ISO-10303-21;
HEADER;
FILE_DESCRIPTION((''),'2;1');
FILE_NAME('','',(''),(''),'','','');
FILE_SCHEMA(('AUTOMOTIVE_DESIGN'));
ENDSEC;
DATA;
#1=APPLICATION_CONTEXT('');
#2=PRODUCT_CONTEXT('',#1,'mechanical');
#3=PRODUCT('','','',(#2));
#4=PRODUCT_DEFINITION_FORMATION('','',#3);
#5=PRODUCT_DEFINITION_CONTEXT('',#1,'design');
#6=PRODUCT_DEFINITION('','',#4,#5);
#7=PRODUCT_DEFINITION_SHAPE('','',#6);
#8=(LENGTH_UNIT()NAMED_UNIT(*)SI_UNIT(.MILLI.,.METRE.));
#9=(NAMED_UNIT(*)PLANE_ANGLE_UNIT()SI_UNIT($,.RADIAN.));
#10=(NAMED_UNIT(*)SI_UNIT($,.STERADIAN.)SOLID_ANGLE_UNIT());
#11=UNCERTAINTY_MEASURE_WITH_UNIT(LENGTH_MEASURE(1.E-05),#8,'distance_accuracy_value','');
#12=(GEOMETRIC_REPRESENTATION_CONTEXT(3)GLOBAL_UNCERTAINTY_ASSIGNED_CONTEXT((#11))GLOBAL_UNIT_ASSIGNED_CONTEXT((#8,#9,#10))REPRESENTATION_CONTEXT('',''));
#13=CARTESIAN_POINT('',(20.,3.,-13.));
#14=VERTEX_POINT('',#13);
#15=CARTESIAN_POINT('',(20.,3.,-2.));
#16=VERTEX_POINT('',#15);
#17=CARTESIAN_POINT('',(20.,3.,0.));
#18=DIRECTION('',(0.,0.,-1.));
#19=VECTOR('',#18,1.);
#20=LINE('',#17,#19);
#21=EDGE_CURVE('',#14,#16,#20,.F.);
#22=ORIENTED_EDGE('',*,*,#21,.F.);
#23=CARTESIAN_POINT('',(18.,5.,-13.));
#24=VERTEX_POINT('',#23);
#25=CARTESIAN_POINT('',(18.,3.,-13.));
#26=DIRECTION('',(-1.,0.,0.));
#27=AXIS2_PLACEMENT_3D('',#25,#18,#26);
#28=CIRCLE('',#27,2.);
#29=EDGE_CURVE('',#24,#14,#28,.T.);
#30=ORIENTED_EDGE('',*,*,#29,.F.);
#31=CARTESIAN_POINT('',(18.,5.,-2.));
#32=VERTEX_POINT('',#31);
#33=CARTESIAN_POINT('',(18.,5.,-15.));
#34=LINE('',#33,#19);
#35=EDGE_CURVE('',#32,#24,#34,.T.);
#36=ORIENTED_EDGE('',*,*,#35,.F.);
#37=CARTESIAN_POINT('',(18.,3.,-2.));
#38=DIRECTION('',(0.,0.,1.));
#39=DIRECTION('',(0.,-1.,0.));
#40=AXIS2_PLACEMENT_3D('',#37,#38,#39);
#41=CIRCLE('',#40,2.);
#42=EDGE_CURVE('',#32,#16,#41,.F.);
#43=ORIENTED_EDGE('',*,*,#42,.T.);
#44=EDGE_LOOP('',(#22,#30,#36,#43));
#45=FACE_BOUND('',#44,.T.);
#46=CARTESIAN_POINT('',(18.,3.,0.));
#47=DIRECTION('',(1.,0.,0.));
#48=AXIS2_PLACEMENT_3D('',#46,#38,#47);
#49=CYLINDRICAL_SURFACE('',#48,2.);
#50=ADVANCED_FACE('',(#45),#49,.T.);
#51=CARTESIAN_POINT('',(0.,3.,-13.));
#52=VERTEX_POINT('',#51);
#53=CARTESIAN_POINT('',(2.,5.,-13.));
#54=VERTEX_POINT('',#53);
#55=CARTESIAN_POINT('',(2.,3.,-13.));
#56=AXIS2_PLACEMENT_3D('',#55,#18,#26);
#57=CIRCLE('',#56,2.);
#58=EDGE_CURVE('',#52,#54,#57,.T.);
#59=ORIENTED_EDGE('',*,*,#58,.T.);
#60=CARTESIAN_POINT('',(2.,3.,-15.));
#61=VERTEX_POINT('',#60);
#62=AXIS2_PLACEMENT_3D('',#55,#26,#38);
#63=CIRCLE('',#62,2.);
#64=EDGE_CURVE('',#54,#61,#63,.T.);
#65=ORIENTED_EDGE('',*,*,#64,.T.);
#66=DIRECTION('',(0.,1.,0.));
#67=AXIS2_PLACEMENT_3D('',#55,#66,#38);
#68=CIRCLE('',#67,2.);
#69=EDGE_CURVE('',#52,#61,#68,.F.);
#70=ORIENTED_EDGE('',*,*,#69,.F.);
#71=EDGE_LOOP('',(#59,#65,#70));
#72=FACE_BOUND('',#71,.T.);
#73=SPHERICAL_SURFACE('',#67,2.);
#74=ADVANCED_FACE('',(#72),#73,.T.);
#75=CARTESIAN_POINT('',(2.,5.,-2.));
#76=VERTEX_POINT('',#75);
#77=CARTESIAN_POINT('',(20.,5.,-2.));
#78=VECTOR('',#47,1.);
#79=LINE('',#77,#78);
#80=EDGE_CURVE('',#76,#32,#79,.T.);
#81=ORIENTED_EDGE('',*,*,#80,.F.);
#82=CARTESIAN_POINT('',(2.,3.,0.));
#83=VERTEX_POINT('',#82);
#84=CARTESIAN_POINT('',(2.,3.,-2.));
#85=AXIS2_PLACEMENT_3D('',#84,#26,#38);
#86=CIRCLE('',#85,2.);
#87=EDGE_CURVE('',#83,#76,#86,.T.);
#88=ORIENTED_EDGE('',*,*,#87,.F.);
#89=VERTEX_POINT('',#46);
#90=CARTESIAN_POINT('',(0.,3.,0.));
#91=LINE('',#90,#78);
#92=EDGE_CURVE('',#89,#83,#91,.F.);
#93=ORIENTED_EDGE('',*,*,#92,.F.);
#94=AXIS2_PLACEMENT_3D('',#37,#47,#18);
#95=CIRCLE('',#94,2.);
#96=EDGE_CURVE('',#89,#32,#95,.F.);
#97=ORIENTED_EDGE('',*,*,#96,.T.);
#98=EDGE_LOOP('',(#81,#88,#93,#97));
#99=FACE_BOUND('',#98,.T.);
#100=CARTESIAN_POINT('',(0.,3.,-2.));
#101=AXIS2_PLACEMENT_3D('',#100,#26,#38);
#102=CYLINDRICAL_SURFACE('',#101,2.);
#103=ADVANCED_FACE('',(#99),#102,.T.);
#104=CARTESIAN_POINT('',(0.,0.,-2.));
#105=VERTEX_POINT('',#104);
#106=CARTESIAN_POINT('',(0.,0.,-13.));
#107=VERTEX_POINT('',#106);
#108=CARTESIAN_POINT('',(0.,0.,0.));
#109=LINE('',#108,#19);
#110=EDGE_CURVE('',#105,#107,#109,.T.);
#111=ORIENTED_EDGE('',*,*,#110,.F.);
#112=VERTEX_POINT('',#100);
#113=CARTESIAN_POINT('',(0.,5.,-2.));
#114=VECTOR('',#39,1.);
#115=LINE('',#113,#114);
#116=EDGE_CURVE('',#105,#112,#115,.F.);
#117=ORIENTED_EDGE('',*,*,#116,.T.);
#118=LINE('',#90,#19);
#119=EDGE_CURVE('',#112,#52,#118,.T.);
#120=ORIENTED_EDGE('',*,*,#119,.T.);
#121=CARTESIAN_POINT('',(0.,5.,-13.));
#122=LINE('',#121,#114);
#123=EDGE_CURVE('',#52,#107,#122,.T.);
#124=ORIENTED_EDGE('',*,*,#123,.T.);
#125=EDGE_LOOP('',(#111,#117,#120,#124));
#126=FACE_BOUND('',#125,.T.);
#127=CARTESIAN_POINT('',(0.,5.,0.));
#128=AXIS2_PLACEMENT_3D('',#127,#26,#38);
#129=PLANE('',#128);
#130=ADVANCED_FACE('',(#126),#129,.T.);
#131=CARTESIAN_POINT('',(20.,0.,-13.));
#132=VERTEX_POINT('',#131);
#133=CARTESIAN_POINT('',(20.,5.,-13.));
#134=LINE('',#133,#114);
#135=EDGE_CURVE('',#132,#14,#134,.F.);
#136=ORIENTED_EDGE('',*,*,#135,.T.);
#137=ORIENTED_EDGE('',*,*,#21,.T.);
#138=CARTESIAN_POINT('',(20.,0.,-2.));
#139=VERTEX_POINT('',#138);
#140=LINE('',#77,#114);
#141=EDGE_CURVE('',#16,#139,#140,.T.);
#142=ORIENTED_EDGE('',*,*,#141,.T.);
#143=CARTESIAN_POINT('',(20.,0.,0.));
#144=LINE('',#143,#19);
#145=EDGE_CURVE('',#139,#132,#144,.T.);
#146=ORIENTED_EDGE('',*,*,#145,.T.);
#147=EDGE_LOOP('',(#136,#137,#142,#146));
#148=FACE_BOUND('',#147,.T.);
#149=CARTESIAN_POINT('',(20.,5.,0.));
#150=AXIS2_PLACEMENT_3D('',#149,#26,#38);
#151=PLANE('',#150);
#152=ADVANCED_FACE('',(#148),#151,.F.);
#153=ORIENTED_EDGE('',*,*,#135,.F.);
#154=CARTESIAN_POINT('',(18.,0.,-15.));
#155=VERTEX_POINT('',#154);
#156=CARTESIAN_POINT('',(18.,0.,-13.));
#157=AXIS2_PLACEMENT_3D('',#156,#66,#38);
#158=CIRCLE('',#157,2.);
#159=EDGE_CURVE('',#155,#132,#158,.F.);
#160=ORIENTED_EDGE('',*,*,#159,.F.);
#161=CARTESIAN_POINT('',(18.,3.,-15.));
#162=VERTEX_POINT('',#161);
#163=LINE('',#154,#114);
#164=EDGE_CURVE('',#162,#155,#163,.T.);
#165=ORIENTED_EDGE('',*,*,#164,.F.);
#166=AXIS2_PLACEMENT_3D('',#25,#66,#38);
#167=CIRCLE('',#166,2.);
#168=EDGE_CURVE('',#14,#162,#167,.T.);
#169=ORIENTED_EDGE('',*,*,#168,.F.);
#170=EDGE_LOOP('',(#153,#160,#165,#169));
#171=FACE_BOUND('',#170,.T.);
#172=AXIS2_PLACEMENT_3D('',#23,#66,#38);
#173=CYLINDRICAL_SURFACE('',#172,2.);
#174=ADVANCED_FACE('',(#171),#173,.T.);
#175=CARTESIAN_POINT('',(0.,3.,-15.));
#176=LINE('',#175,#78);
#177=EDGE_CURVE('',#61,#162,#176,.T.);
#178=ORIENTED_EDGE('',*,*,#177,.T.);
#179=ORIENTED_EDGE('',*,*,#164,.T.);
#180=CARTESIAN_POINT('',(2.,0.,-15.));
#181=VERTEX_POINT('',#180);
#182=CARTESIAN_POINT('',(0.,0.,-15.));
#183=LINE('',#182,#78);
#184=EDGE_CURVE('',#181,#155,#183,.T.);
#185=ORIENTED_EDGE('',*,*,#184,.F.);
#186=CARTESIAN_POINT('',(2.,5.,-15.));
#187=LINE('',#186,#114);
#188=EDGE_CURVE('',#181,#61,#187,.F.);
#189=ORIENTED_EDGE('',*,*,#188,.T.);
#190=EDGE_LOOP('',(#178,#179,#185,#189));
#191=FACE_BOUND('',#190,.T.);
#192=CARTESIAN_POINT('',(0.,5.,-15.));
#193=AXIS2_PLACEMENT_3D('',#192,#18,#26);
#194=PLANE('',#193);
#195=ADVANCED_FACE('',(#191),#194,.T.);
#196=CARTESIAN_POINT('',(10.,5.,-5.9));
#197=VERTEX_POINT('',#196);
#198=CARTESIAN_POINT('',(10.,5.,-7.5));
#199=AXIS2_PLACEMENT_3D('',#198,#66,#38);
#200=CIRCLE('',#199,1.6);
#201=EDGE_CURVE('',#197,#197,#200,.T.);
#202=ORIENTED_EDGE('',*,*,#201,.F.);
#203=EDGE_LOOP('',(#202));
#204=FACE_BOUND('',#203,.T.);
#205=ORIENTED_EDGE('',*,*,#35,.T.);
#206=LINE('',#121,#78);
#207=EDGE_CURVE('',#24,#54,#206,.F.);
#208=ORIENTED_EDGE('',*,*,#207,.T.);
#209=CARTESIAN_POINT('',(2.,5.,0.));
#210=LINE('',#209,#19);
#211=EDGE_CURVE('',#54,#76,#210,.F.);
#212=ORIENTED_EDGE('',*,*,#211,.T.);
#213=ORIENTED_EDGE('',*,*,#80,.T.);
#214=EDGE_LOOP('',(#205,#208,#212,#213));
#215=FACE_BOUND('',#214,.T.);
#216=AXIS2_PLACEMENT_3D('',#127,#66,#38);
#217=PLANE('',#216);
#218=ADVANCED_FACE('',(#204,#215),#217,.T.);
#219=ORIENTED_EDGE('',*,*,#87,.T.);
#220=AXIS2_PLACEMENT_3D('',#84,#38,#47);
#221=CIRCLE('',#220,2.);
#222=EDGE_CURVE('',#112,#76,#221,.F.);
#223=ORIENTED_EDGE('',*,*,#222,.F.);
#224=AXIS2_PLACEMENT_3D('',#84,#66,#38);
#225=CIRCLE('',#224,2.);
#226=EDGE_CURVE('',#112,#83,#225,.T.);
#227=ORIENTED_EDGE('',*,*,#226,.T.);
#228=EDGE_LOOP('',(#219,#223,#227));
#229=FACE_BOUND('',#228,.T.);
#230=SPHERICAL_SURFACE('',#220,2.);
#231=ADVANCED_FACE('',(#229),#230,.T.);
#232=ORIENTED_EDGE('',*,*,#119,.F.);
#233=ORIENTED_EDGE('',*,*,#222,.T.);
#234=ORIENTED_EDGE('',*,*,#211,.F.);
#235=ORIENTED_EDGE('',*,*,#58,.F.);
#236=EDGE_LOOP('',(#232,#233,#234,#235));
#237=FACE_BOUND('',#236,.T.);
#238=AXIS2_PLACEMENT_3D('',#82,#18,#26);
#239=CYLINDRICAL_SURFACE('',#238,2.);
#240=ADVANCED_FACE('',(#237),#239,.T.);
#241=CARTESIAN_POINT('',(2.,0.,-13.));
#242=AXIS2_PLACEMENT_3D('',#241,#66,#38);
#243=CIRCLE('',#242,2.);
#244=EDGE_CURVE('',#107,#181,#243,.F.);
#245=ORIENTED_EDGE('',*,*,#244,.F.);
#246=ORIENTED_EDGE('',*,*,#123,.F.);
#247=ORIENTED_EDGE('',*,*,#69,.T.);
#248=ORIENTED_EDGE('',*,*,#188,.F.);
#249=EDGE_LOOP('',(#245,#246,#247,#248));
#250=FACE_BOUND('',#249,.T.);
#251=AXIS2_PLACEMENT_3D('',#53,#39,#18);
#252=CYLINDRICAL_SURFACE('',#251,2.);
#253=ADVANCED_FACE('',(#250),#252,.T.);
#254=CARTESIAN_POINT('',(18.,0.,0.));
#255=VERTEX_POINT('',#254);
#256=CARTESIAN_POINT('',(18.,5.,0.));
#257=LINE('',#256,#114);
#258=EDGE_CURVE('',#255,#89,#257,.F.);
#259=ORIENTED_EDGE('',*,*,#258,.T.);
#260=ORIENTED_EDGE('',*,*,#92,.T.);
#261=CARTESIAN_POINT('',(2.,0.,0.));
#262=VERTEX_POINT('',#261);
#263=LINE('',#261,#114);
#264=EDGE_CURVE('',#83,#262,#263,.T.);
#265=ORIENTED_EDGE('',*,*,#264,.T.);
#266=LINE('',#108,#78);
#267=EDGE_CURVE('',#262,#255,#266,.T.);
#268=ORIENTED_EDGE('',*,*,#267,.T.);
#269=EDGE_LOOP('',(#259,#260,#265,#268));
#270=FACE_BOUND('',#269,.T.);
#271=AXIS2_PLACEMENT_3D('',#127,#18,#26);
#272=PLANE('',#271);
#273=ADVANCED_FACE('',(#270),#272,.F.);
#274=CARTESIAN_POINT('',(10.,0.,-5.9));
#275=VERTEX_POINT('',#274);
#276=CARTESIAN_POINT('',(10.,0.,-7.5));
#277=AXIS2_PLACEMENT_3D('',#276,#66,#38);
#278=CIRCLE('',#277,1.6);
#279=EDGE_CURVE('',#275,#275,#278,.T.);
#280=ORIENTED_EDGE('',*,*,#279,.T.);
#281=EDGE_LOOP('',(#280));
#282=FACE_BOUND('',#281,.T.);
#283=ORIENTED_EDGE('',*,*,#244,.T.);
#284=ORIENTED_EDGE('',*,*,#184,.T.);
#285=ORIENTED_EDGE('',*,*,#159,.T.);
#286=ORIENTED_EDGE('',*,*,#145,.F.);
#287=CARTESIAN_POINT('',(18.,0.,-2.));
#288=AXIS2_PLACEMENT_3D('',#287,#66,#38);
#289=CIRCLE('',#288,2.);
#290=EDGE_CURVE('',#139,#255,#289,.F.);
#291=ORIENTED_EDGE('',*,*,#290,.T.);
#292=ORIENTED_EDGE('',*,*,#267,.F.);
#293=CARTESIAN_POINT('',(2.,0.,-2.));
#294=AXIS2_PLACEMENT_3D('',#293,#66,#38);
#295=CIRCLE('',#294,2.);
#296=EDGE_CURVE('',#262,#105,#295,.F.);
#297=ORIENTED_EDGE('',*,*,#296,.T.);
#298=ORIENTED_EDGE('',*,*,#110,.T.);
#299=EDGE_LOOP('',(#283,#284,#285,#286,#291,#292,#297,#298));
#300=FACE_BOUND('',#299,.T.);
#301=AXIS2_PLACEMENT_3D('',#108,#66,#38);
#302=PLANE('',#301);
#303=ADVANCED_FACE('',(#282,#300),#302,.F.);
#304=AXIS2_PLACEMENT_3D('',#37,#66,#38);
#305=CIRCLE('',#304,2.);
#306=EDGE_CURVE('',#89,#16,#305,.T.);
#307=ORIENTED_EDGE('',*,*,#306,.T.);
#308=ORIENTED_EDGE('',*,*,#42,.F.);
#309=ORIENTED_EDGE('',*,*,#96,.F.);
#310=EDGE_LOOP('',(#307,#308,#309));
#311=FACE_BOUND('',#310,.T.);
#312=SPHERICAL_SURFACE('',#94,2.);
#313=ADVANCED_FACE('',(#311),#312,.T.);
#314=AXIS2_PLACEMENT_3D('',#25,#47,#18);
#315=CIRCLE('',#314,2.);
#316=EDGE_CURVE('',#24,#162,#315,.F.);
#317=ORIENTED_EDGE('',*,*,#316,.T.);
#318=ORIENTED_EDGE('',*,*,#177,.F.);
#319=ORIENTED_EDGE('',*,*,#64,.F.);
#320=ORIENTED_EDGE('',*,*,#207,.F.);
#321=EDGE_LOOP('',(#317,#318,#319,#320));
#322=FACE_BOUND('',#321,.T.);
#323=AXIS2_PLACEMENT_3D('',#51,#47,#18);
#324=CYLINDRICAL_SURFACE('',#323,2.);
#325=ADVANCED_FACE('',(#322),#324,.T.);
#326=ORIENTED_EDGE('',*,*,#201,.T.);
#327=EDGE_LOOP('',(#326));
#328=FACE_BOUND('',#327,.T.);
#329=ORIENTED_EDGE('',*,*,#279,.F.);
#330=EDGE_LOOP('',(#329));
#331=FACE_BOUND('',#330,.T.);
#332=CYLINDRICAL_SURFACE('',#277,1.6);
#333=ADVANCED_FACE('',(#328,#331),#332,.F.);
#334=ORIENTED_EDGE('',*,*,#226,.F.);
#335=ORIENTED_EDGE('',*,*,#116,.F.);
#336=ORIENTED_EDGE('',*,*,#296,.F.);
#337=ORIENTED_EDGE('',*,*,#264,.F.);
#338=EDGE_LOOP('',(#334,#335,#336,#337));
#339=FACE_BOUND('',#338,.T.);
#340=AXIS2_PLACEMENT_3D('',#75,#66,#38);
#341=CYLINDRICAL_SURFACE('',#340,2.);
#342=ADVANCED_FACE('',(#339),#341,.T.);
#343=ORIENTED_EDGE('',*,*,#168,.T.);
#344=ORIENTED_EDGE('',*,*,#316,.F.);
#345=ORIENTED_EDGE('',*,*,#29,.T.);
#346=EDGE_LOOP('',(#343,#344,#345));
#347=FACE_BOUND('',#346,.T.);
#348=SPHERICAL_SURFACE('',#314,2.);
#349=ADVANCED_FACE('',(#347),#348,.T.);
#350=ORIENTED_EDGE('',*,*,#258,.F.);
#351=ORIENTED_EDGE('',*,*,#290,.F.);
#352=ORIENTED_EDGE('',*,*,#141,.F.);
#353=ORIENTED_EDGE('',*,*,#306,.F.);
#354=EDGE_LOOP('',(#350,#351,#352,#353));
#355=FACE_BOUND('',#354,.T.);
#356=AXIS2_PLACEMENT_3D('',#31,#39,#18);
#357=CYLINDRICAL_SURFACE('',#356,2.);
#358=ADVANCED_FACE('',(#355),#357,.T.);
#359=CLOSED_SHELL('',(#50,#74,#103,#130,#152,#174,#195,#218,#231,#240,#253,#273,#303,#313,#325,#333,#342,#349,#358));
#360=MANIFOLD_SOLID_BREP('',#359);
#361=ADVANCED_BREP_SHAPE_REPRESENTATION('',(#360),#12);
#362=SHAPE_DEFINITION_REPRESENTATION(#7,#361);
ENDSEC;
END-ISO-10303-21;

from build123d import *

# Parameters (mm, degrees)
SKETCH2_W           = 20
SKETCH2_H           = 15
BOSS_EXTRUDE1_DEPTH = 5
SKETCH3_R           = 1.6
CUT_EXTRUDE1_DEPTH  = 6
FILLET1_R           = 2


with BuildPart() as part:
    # Sketch2 → Boss-Extrude1 (new body)
    with BuildSketch(Plane(origin=(0, 0, 0), x_dir=(1, 0, 0), z_dir=(0, 1, 0))):
        with Locations((10, 7.5)):
            Rectangle(SKETCH2_W, SKETCH2_H)
    extrude(amount=BOSS_EXTRUDE1_DEPTH)

    # Sketch3 → Cut-Extrude1 (cut, through all)
    with BuildSketch(Plane(origin=(0, 5, 0), x_dir=(1, 0, 0), z_dir=(0, 1, 0))):
        with Locations((10, 7.5)):
            Circle(SKETCH3_R)
    extrude(amount=-CUT_EXTRUDE1_DEPTH, mode=Mode.SUBTRACT)

    # Fillet1
    fillet1_edges = [part.edges().sort_by_distance(p)[0] for p in [
        (10, 5, -15),
        (0, 5, -7.5),
        (10, 5, 0),
        (0, 2.5, 0),
        (0, 2.5, -15),
        (20, 2.5, -15),
        (20, 2.5, 0),
        (20, 5, -7.5),
    ]]
    fillet(fillet1_edges, radius=FILLET1_R)


solid = part.part
